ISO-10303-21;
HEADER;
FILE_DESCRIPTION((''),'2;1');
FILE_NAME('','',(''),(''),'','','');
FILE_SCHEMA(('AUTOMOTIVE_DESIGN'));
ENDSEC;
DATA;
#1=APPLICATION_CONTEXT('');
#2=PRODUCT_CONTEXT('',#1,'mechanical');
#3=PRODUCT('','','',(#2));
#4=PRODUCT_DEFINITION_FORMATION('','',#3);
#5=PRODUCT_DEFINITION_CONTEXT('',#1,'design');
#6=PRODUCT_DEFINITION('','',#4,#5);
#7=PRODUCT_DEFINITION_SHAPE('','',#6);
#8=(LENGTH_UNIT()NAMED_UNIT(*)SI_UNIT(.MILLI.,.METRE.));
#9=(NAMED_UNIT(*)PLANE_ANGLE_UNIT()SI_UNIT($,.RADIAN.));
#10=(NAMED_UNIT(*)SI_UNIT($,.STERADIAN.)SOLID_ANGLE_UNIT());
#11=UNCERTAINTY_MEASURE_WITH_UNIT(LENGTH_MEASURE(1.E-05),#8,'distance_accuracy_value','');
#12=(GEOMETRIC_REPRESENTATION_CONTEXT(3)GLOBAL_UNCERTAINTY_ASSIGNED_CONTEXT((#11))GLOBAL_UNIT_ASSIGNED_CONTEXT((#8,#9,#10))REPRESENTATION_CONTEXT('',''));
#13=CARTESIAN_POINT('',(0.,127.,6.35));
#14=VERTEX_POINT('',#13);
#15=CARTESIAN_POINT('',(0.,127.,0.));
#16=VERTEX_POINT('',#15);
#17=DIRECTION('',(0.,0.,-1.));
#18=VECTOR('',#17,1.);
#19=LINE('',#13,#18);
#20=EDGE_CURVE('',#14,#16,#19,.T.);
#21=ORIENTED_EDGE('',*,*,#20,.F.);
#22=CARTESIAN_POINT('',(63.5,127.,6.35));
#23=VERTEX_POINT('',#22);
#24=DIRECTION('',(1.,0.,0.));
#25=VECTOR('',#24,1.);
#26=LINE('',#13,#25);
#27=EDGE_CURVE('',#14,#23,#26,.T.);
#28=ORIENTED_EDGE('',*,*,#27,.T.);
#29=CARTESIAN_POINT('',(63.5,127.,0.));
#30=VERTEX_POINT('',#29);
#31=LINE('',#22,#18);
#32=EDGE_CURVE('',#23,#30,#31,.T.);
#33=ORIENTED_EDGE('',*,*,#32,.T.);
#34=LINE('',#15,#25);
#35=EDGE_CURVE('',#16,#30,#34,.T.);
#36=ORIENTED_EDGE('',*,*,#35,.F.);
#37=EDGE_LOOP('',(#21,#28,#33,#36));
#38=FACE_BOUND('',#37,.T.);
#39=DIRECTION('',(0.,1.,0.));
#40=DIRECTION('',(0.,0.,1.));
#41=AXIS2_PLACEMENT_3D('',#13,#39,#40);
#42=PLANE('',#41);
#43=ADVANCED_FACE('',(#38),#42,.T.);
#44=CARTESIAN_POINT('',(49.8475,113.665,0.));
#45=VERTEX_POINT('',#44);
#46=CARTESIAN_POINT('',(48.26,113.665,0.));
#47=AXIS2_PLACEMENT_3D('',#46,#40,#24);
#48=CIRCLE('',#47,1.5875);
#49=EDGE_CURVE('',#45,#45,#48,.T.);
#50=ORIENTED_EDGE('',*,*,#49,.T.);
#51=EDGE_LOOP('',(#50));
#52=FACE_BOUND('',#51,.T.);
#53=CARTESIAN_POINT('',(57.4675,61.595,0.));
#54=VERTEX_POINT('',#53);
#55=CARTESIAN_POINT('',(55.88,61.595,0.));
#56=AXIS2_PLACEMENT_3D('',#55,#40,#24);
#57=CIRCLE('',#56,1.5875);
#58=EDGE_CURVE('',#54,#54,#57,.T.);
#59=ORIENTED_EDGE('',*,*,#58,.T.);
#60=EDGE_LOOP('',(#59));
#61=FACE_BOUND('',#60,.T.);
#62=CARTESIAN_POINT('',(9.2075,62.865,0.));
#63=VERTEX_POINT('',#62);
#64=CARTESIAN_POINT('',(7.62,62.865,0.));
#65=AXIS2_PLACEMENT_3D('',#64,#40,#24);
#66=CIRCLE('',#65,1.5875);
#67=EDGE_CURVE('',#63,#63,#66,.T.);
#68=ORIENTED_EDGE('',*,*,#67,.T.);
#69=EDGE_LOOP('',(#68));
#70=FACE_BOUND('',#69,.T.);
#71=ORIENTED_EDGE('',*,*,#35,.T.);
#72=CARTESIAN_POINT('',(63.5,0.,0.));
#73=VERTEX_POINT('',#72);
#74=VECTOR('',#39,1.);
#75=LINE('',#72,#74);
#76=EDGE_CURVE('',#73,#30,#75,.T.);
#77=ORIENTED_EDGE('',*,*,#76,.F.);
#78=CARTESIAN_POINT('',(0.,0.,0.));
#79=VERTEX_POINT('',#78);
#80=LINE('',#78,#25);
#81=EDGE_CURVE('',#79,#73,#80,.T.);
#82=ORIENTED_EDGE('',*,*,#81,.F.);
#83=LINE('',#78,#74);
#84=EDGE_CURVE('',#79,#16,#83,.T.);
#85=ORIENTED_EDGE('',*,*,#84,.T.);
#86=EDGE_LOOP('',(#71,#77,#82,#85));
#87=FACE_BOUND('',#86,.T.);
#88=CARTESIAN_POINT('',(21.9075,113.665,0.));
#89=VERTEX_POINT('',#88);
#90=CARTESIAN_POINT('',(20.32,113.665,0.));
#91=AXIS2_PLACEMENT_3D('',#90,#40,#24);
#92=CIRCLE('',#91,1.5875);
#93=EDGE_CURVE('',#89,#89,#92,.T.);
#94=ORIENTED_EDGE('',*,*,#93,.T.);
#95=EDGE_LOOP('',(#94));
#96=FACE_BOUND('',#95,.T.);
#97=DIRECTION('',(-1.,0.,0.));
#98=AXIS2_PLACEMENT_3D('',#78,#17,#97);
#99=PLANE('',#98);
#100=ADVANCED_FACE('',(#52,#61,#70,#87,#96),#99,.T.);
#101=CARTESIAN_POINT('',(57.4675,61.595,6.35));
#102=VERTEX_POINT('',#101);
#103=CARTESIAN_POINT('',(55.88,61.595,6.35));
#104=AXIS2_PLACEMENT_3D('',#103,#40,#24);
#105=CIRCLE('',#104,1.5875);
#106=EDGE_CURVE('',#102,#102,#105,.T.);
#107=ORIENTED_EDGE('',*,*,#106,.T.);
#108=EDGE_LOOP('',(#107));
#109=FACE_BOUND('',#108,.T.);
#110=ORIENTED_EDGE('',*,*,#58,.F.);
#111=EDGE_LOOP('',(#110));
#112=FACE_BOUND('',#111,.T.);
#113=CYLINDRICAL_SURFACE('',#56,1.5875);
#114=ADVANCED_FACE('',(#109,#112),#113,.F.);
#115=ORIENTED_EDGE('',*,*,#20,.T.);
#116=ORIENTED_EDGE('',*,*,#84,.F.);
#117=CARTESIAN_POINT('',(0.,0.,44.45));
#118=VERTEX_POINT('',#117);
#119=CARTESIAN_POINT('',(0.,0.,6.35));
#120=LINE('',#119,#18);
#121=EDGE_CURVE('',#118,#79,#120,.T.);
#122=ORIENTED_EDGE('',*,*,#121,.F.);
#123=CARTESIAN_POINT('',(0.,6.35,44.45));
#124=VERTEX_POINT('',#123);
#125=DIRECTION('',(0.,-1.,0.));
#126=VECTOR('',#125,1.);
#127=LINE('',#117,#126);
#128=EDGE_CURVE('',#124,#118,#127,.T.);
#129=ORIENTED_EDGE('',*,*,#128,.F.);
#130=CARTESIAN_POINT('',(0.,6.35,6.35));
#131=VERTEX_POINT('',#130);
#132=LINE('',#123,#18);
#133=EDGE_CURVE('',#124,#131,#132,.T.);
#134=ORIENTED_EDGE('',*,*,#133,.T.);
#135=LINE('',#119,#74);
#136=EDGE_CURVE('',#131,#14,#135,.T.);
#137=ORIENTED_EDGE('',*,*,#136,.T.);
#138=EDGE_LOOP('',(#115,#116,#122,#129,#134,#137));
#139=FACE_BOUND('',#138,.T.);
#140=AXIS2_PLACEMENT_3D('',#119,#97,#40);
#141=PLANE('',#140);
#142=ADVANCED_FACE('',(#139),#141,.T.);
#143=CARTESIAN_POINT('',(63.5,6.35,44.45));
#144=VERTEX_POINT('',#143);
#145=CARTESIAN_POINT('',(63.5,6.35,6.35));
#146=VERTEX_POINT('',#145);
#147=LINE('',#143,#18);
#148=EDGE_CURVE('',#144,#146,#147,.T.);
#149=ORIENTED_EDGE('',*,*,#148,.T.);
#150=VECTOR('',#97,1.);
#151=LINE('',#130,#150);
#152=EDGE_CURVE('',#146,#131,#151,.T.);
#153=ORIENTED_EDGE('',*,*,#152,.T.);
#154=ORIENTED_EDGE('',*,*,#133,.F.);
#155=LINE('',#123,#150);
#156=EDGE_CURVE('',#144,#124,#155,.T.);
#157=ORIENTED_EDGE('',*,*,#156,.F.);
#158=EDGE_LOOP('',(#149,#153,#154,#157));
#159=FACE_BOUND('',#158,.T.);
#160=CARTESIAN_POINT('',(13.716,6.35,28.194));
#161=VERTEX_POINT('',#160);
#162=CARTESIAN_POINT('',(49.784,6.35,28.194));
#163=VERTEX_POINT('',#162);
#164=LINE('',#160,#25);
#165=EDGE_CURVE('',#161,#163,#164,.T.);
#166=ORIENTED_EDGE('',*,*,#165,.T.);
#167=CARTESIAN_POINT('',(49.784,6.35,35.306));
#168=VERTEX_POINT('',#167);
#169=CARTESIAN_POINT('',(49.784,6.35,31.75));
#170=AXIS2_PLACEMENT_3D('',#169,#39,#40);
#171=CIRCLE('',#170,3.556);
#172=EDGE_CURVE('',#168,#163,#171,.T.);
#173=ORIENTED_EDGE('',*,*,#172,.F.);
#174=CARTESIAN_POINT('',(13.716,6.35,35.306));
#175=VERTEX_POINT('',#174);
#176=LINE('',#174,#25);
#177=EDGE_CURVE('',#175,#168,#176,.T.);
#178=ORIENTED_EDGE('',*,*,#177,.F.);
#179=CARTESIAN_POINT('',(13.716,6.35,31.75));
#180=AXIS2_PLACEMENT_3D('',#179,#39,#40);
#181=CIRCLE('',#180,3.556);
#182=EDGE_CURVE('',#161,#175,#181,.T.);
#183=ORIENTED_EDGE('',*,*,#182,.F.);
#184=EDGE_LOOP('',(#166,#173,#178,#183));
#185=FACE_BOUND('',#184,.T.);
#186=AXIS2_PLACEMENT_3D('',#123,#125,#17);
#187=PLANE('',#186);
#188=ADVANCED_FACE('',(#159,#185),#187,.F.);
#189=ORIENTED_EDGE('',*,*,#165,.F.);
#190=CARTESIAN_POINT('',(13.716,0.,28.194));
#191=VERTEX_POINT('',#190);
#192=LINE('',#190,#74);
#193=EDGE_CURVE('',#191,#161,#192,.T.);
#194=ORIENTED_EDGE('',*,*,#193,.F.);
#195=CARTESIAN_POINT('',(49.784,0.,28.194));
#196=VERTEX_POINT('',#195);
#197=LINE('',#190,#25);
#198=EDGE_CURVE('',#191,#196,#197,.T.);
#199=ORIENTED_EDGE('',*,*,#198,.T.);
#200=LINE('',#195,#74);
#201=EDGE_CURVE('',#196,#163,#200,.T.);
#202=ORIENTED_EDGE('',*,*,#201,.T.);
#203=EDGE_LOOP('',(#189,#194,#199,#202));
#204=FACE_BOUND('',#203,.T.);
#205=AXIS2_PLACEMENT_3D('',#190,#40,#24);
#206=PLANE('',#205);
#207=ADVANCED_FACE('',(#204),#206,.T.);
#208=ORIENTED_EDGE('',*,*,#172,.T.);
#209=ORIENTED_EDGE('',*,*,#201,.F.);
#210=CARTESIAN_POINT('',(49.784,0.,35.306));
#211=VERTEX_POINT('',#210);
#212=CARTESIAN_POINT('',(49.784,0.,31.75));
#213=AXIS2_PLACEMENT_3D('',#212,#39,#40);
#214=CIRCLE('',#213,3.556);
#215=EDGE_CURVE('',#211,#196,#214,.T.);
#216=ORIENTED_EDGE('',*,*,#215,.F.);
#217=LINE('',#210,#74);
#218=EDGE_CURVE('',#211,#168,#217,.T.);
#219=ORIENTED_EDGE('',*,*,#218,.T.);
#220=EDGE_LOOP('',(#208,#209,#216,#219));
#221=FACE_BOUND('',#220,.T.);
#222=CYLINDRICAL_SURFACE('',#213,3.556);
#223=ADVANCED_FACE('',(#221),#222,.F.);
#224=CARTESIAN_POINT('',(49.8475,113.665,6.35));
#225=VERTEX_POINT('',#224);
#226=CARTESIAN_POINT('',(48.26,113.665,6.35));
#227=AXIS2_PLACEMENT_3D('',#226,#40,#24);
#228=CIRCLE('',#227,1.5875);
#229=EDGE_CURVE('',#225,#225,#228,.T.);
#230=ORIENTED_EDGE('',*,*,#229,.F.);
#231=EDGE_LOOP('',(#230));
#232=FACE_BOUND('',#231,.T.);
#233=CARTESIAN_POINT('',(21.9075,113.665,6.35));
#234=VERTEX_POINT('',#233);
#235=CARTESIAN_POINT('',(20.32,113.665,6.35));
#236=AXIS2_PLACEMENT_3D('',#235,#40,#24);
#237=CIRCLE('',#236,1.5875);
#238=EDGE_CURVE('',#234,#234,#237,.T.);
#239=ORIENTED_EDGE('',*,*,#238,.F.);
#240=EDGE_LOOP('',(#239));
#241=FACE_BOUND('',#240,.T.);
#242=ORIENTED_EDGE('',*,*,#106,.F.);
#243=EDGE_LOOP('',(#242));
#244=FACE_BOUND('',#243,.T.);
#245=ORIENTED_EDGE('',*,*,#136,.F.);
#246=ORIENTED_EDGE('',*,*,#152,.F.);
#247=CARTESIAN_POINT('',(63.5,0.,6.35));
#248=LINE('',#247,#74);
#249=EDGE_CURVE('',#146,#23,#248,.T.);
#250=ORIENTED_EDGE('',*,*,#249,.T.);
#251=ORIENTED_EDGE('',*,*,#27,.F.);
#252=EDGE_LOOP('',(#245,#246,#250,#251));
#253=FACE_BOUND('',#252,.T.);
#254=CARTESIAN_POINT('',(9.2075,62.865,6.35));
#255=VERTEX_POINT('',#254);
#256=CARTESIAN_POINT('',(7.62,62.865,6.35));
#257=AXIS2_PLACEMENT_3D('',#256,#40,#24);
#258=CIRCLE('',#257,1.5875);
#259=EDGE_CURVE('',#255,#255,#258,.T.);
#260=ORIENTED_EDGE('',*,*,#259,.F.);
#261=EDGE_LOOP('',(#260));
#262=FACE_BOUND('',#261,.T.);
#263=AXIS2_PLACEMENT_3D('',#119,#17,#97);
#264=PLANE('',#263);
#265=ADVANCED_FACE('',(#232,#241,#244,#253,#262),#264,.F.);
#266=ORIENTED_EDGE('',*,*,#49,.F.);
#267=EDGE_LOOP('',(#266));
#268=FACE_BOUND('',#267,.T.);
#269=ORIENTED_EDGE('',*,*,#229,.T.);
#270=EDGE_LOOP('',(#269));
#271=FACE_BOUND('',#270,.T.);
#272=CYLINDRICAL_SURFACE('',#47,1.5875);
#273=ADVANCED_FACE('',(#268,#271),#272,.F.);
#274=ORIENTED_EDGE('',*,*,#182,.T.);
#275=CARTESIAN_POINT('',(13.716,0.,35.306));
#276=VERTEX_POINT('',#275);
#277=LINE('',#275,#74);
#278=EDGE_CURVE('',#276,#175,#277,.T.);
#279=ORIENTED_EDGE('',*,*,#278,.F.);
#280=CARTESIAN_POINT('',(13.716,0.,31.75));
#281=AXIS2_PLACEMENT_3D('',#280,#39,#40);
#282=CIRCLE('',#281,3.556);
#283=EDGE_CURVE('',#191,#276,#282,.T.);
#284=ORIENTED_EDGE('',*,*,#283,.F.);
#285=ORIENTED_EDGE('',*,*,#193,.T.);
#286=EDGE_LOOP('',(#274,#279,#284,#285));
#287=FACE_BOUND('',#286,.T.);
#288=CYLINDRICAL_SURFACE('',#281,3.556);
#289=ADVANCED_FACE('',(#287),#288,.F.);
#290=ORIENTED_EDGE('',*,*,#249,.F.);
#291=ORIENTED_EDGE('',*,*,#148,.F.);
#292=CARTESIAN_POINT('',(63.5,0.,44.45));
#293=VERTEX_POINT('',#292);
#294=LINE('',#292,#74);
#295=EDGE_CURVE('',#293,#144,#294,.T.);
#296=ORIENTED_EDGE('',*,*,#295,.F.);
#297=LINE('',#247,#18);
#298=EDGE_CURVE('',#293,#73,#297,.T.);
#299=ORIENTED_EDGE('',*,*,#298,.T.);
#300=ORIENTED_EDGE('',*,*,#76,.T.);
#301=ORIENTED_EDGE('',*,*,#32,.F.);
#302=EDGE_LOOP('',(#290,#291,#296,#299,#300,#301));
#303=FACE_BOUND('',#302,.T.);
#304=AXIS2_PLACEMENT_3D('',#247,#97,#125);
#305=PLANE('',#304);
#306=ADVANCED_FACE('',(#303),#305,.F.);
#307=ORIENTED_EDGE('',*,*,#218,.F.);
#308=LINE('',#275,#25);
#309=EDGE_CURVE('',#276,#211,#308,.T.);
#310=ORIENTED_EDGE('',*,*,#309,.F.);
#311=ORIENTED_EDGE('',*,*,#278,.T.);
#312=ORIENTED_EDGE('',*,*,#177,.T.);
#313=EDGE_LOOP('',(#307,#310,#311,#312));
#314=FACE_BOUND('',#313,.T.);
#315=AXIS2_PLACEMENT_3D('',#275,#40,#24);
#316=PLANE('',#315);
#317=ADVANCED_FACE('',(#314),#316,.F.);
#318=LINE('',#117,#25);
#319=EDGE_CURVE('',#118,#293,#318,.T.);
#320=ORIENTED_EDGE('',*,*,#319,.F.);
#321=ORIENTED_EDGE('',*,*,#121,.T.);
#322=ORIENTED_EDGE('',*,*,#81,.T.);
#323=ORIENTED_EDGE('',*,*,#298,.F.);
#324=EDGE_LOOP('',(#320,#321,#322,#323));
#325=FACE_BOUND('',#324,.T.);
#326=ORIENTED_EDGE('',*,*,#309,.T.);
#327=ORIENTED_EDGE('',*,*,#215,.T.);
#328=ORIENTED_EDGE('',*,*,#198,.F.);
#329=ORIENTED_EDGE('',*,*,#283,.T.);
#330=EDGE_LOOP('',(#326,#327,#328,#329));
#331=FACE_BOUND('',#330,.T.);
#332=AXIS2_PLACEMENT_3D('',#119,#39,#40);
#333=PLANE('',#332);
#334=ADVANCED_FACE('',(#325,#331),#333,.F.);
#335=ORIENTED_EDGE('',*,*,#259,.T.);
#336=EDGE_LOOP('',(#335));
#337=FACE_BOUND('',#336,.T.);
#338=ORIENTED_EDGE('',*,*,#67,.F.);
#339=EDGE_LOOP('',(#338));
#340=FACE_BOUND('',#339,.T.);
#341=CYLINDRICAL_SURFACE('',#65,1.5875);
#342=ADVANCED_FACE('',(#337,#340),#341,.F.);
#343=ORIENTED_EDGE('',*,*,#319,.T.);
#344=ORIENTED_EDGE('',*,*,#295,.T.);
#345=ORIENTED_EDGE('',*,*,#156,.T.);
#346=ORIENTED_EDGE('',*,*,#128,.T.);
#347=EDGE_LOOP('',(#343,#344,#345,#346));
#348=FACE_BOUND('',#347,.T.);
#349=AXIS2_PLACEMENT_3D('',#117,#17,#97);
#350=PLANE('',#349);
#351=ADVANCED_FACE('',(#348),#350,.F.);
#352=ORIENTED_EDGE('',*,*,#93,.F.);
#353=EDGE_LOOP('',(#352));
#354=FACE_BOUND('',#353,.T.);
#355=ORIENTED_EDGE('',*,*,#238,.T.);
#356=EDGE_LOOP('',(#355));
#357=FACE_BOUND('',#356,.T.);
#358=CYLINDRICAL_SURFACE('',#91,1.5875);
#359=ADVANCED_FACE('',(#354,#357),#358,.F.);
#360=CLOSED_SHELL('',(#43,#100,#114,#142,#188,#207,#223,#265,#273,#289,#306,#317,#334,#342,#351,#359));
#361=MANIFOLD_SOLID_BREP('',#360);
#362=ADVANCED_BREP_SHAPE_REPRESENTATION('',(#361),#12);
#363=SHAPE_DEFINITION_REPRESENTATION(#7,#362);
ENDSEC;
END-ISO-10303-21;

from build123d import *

# Parameters (mm, degrees)
SKETCH1_W           = 63.5
SKETCH1_H           = 127
BOSS_EXTRUDE1_DEPTH = 6.35
SKETCH2_R           = 1.5875
CUT_EXTRUDE1_DEPTH  = 143.132235964
SKETCH3_W           = 63.5
SKETCH3_H           = 6.35
BOSS_EXTRUDE2_DEPTH = 38.1
CUT_EXTRUDE2_DEPTH  = 144.403190341


with BuildPart() as part:
    # Sketch1 → Boss-Extrude1 (new body)
    with BuildSketch(Plane.XY):
        with Locations((31.75, 63.5)):
            Rectangle(SKETCH1_W, SKETCH1_H)
    extrude(amount=BOSS_EXTRUDE1_DEPTH)

    # Sketch2 → Cut-Extrude1 (cut, through all)
    with BuildSketch(Plane.XY.offset(6.35)):
        with Locations((55.88, 61.595)):
            Circle(SKETCH2_R)
        with Locations((7.62, 62.865)):
            Circle(SKETCH2_R)
        with Locations((20.32, 113.665)):
            Circle(SKETCH2_R)
        with Locations((48.26, 113.665)):
            Circle(SKETCH2_R)
    extrude(amount=-CUT_EXTRUDE1_DEPTH, mode=Mode.SUBTRACT)

    # Sketch3 → Boss-Extrude2 (add)
    with BuildSketch(Plane.XY.offset(6.35)):
        with Locations((31.75, 3.175)):
            Rectangle(SKETCH3_W, SKETCH3_H)
    extrude(amount=BOSS_EXTRUDE2_DEPTH)

    # Sketch4 → Cut-Extrude2 (cut, through all)
    with BuildSketch(Plane(origin=(0, 6.35, 0), x_dir=(1, 0, 0), z_dir=(0, 1, 0))):
        with BuildLine():
            Line((13.716, -28.194), (49.784, -28.194))
            ThreePointArc((49.784, -28.194), (53.34, -31.75), (49.784, -35.306))
            Line((49.784, -35.306), (13.716, -35.306))
            ThreePointArc((13.716, -35.306), (10.16, -31.75), (13.716, -28.194))
        make_face()
    extrude(amount=-CUT_EXTRUDE2_DEPTH, mode=Mode.SUBTRACT)


solid = part.part
